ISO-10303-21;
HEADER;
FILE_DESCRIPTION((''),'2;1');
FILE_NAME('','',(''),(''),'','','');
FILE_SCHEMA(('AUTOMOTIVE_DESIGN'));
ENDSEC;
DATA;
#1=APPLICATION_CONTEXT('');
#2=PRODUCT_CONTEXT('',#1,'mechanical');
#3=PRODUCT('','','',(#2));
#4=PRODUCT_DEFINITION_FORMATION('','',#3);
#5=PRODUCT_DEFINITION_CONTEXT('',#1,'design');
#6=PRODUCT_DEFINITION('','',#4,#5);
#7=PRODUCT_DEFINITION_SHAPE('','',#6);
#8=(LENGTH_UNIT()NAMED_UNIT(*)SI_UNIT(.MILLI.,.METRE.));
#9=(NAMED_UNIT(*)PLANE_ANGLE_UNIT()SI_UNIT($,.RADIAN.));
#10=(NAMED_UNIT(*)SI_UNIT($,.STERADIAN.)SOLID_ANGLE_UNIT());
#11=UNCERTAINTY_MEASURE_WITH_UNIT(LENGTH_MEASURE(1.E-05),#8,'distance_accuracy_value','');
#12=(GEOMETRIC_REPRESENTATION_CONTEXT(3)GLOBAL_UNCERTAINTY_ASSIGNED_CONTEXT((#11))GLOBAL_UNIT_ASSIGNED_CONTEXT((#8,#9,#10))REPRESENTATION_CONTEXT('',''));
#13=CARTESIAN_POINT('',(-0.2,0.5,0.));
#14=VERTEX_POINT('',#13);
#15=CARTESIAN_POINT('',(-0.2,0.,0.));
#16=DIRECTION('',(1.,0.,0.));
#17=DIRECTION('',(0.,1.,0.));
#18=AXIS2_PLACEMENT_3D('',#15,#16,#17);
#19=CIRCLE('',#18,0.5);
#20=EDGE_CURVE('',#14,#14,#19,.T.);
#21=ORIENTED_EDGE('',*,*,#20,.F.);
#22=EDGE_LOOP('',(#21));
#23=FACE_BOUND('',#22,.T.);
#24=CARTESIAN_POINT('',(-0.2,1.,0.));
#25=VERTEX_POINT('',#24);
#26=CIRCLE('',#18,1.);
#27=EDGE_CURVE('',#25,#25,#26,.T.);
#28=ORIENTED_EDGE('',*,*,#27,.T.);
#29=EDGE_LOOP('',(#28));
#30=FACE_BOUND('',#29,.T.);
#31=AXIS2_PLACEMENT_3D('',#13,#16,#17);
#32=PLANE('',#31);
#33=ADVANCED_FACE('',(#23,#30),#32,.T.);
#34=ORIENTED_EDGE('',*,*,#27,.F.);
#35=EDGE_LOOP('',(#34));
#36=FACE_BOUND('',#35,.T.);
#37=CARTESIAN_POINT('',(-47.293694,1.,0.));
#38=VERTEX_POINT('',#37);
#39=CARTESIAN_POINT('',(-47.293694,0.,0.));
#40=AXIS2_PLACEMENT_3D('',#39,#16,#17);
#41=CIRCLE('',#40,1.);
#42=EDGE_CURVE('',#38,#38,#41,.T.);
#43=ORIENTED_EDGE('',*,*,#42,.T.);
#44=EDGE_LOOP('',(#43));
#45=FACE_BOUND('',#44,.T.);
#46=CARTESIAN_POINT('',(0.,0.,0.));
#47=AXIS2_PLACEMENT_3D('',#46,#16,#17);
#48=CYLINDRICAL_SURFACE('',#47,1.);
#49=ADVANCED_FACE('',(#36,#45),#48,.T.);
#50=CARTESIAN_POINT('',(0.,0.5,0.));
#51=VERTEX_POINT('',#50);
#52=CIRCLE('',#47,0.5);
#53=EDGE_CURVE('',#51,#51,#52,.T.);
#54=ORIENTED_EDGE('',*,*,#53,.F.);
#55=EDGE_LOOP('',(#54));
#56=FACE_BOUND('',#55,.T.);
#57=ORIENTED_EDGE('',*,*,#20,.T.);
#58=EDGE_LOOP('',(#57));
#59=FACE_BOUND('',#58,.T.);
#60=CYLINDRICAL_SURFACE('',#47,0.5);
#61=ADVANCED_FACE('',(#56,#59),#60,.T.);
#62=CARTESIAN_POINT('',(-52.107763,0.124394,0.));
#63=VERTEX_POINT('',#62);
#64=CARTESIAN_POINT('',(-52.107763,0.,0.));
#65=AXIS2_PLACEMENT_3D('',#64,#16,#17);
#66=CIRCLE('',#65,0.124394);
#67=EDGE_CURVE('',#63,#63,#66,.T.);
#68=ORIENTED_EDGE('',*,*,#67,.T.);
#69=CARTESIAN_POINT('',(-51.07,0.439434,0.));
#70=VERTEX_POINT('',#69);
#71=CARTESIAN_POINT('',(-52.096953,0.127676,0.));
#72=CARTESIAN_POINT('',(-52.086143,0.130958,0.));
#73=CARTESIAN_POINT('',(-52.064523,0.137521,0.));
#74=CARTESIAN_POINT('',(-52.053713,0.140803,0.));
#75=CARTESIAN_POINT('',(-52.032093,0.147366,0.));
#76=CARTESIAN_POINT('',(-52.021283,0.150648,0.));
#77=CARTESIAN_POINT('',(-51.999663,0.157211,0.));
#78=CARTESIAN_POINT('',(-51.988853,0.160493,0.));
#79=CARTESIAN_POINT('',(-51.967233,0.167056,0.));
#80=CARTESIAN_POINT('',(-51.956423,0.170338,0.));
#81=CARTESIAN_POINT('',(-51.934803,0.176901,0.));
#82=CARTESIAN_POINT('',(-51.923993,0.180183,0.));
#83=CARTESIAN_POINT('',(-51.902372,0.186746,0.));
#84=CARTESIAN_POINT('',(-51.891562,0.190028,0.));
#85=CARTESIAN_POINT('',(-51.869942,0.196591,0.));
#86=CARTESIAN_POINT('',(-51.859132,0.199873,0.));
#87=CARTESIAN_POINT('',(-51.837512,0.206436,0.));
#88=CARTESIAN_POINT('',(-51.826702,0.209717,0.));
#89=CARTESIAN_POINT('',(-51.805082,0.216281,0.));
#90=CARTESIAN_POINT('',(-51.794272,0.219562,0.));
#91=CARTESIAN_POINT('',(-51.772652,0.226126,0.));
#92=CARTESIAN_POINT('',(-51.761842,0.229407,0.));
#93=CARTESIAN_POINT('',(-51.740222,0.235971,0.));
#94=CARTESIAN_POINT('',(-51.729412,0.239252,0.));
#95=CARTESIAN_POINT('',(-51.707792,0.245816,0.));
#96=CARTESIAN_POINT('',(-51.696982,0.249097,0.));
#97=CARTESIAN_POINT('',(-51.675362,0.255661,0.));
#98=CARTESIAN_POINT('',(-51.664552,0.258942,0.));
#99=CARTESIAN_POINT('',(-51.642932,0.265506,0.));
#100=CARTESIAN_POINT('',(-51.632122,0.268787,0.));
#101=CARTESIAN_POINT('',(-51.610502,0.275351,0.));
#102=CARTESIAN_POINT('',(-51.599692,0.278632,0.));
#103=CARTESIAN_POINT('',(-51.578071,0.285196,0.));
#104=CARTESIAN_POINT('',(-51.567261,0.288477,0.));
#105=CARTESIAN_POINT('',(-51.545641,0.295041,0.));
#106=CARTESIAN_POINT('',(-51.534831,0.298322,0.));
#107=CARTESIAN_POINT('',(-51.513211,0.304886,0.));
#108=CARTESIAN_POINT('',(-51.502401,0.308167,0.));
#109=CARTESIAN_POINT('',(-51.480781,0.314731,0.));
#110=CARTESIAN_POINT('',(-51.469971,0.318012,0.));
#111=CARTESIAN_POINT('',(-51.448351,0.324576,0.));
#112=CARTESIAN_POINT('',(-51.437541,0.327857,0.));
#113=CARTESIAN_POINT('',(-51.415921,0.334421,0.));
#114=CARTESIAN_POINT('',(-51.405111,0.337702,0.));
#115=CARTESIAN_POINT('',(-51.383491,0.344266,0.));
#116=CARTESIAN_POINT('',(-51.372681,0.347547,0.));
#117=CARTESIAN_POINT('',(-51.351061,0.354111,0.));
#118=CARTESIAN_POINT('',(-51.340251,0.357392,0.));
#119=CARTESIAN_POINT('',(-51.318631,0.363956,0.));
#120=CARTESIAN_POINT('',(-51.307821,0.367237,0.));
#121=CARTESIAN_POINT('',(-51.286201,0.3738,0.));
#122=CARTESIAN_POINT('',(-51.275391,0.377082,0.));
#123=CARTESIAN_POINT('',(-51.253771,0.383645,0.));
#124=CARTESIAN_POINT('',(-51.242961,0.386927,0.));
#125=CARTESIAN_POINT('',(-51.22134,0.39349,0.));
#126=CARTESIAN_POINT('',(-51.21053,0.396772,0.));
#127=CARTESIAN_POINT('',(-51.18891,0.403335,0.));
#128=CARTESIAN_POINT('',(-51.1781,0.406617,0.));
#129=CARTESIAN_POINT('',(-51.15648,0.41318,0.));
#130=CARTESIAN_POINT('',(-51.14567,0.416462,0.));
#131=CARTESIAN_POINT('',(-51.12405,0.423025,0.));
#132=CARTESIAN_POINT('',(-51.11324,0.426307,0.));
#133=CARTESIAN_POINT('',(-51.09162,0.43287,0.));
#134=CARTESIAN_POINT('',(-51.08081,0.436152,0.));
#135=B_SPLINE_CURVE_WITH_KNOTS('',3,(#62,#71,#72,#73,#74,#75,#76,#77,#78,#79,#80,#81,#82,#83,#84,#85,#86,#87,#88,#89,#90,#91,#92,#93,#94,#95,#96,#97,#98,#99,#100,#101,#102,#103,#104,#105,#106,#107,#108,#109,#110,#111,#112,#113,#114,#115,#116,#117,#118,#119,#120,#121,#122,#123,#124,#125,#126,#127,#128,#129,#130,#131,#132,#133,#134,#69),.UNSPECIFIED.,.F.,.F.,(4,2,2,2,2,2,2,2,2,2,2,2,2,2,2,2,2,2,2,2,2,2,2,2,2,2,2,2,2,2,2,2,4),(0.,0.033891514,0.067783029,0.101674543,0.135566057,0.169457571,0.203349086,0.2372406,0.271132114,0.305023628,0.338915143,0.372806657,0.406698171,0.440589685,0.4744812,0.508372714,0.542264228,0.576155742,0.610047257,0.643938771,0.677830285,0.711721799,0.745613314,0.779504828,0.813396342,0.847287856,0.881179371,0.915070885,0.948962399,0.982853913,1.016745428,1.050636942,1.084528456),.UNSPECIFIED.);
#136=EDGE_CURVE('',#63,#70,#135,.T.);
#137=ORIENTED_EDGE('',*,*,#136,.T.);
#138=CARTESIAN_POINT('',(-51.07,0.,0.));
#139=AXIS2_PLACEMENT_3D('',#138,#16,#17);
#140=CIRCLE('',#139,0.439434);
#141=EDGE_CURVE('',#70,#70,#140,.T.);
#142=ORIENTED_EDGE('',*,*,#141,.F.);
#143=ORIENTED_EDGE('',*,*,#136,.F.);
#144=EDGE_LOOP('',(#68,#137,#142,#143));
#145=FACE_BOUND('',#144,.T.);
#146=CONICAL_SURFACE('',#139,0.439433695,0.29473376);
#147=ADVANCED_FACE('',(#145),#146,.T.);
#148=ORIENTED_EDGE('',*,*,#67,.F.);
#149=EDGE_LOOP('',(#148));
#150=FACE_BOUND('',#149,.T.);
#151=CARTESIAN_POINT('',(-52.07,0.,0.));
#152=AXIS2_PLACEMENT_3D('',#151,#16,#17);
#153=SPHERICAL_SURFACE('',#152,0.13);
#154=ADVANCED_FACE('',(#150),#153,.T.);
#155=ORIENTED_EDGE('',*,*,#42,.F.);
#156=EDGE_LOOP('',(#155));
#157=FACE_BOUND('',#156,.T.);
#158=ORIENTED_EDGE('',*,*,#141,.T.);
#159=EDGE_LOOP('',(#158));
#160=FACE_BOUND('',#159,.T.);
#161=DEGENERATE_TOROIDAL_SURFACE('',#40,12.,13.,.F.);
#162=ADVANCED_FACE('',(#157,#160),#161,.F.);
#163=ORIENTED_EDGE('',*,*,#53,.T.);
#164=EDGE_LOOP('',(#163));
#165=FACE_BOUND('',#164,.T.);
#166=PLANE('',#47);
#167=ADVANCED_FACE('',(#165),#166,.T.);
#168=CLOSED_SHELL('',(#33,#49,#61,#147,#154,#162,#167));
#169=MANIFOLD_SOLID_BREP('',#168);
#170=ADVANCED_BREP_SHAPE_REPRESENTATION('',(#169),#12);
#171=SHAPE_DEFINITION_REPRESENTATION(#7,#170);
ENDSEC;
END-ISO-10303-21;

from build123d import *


with BuildPart() as part:
    # 草图1 → 旋转1 (revolve)
    with BuildSketch(Plane.XY):
        with BuildLine():
            Line((0, 0), (0, 0.5))
            Line((0, 0.5), (-0.2, 0.5))
            Line((-0.2, 0.5), (-0.2, 1))
            Line((-0.2, 1), (-47.293693689, 1))
            ThreePointArc((-47.293693689, 1), (-49.202536528, 0.859094798), (-51.07, 0.439433695))
            Line((-51.07, 0.439433695), (-52.107763063, 0.124394337))
            ThreePointArc((-52.107763063, 0.124394337), (-52.174425088, 0.077429974), (-52.2, 0))
            Line((-52.2, 0), (0, 0))
        make_face()
    revolve(axis=Axis((0, 0, 0), (-1, 0, 0)))


solid = part.part
